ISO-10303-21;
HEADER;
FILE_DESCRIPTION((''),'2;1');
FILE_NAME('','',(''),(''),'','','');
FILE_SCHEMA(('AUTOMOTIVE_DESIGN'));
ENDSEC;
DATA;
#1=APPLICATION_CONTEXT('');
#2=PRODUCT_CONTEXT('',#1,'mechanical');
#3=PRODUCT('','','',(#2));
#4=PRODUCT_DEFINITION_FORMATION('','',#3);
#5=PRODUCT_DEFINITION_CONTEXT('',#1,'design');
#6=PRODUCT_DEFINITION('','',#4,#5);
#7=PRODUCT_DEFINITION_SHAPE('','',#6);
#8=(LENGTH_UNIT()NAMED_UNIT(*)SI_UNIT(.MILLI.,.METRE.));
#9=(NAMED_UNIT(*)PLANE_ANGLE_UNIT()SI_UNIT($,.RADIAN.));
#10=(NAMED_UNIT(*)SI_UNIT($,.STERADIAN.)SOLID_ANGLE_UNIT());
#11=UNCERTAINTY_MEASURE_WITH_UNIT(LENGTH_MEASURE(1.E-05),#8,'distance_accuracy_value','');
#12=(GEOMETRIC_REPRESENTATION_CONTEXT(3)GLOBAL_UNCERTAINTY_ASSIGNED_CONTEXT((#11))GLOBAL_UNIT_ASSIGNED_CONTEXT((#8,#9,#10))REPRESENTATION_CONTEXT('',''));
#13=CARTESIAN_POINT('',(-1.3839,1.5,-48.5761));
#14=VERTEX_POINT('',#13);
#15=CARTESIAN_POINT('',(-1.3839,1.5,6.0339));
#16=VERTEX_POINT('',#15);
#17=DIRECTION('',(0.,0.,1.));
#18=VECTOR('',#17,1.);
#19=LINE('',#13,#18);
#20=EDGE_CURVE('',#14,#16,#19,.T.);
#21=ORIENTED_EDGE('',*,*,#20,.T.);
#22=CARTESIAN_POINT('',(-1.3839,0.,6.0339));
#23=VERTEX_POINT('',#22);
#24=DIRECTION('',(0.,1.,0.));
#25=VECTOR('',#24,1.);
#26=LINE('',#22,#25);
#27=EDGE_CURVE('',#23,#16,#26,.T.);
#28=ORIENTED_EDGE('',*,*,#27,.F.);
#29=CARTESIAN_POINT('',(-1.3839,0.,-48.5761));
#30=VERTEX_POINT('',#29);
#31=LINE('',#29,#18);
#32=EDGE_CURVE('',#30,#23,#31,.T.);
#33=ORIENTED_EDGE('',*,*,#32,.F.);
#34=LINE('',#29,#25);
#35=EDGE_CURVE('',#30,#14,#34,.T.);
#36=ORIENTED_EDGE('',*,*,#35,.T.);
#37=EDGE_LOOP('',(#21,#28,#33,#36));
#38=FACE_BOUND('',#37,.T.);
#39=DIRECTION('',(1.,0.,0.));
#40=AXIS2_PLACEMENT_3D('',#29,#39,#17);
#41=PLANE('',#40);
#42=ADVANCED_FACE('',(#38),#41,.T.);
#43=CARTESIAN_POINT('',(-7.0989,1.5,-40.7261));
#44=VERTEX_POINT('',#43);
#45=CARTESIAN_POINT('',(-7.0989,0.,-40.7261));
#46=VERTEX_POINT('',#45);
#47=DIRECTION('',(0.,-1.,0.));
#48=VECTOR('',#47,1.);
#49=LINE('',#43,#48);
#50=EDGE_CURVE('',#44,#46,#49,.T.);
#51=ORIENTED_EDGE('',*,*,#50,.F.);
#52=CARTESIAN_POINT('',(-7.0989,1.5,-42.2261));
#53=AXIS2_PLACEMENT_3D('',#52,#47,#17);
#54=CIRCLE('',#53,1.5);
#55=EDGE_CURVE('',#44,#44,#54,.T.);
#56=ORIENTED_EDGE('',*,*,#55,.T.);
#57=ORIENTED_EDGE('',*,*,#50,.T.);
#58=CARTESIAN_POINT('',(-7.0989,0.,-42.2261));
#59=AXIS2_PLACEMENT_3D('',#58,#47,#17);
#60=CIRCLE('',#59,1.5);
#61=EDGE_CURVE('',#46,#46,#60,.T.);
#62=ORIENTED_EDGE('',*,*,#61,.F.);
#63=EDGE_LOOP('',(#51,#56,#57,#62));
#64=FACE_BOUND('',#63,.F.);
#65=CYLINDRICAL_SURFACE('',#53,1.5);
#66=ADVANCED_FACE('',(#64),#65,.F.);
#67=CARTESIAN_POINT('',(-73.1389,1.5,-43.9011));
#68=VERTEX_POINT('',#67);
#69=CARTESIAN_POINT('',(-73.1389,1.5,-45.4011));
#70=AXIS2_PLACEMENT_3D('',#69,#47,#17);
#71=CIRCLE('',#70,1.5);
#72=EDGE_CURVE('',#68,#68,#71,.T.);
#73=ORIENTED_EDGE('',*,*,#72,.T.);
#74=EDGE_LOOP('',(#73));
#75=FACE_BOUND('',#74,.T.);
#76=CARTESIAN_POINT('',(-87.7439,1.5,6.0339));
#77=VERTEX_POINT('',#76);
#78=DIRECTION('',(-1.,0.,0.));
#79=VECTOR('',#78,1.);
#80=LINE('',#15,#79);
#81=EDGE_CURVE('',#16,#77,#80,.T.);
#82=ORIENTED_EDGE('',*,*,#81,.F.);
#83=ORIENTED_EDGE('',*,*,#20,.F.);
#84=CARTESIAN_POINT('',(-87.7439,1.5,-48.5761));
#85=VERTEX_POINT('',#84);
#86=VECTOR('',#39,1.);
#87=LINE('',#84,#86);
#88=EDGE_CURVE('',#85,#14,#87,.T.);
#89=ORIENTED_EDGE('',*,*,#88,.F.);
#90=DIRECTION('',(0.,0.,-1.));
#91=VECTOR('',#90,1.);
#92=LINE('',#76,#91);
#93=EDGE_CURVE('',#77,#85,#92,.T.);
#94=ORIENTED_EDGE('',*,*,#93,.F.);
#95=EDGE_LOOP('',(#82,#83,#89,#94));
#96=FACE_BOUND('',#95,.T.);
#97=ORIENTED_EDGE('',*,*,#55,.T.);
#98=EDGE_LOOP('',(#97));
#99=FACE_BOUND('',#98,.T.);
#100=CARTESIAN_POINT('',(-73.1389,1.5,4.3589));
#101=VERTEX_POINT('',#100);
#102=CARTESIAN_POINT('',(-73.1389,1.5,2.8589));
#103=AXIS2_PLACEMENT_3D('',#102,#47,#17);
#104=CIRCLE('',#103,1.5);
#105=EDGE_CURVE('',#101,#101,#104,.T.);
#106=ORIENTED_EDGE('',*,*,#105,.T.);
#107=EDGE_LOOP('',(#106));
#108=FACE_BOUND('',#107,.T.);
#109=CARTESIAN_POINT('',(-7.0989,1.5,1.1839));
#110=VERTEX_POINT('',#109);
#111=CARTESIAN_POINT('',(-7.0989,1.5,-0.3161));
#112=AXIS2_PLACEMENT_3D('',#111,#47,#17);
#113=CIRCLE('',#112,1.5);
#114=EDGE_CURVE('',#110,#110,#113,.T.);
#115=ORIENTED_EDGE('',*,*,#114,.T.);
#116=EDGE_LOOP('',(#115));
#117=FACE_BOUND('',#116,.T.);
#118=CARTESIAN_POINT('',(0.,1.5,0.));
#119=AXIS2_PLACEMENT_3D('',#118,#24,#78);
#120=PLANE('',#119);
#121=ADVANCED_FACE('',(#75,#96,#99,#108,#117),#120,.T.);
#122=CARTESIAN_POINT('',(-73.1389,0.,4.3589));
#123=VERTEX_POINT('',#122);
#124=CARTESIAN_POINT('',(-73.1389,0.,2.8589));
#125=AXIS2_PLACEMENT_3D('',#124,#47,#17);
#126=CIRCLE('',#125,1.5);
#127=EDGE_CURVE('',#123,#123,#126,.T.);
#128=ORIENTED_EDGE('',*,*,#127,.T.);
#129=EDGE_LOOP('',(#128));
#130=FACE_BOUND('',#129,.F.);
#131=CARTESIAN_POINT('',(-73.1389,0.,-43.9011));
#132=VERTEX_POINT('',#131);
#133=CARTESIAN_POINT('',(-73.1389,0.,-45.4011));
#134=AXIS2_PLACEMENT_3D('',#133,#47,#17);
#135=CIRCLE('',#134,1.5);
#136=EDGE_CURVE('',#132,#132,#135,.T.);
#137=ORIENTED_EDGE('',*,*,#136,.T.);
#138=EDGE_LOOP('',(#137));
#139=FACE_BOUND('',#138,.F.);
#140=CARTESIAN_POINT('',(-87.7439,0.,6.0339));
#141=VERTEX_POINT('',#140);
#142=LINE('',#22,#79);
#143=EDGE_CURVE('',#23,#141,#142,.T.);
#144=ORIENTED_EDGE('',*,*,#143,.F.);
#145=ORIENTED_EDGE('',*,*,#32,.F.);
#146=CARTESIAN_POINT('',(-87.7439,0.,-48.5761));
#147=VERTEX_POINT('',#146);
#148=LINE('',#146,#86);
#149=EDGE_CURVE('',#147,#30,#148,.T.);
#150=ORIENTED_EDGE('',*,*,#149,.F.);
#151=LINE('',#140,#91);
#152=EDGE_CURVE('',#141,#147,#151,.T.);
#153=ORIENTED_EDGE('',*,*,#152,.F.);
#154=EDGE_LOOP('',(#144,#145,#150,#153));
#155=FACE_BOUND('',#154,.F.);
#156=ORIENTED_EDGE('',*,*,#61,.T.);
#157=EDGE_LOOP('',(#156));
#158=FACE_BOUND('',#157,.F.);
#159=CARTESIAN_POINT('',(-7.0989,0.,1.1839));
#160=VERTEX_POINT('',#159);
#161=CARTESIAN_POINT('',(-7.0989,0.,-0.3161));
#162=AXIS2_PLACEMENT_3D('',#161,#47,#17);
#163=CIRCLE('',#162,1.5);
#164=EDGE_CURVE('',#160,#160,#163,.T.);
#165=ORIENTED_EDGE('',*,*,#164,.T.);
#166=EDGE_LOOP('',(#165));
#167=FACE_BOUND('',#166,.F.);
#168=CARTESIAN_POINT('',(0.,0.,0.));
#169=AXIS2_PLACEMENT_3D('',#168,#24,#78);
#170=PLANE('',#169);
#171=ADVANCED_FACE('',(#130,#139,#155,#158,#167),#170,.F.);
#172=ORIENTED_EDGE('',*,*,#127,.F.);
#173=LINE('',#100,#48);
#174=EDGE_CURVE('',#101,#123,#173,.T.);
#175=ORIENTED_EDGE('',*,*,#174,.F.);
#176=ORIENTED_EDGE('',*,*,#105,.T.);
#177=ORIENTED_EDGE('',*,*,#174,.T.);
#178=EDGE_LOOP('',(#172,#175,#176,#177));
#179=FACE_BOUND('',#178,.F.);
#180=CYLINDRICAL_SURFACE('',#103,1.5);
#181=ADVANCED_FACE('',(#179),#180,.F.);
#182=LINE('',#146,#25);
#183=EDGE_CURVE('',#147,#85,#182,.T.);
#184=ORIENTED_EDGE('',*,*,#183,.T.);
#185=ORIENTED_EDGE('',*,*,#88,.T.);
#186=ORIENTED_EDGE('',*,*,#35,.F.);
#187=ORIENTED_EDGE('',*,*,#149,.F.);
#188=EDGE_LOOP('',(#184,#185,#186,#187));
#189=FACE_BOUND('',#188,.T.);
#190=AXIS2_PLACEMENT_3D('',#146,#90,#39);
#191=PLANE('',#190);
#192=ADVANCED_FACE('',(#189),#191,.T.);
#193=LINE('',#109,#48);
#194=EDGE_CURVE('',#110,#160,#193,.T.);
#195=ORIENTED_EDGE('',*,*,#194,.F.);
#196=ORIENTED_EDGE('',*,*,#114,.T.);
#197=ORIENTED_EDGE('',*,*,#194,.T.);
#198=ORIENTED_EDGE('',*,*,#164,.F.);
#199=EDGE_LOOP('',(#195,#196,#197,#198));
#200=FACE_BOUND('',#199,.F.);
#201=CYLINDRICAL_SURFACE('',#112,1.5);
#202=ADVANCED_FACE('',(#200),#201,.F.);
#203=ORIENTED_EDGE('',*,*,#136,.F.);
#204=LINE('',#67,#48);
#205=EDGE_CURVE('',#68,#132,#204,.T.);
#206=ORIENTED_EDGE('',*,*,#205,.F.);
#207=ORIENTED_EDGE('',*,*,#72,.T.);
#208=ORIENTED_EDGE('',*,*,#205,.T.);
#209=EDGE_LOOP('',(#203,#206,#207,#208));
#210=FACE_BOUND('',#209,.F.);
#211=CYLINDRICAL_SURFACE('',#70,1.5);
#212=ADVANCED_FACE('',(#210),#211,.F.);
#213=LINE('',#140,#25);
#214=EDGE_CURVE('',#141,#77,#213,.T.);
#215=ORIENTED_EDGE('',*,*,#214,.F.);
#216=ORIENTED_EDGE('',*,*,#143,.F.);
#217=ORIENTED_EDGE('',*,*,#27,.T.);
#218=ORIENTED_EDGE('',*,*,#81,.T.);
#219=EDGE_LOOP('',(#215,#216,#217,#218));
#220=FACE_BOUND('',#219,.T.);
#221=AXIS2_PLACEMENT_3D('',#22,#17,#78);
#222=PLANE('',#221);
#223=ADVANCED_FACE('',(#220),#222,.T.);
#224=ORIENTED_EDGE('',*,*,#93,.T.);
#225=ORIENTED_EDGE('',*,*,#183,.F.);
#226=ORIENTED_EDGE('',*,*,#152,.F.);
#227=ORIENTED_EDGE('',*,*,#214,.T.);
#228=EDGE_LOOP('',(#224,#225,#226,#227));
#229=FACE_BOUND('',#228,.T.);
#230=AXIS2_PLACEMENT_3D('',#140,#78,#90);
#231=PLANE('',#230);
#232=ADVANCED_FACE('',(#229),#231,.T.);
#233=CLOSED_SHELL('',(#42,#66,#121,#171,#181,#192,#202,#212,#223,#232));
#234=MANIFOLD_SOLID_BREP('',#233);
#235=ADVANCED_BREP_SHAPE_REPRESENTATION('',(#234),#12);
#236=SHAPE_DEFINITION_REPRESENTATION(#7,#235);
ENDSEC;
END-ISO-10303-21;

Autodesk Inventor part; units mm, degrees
ref_plane "YZ Plane" through (0, 0, 0) normal (1, 0, 0) x (0, 1, 0)
ref_plane "XZ Plane" through (0, 0, 0) normal (0, 1, 0) x (-1, 0, 0)
ref_plane "XY Plane" through (0, 0, 0) normal (0, 0, 1) x (1, 0, 0)
sketch "スケッチ1" plane through (0, 0, 0) normal (0, 1, 0) x (-1, 0, 0)
  line L0 (1.3839, 6.0339) -> (87.7439, 6.0339)
  line L1 (87.7439, 6.0339) -> (87.7439, -48.5761)
  line L2 (87.7439, -48.5761) -> (1.3839, -48.5761)
  line L3 (1.3839, -48.5761) -> (1.3839, 6.0339)
  point P0 (0, 0)
  point P1 (15.9889, 2.8589)
  point P2 (15.9889, -45.4011)
  point P3 (82.0289, -42.2261)
  point P4 (82.0289, -0.3161)
  dimension "d0" = 86.36
  dimension "d1" = 54.61
  dimension "d4" = 14.605
  dimension "d5" = 3.175
  dimension "d6" = 3.175
  dimension "d7" = 14.605
  dimension "d8" = 6.35
  dimension "d9" = 5.715
  dimension "d10" = 6.35
  dimension "d11" = 5.715
extrude "押し出し1" add sketch "スケッチ1" along normal blind 1.5
sketch "スケッチ2" plane through (0, 1.5, 0) normal (0, 1, 0) x (1, 0, 0)
  line L0 (-1.3839, 48.5761) -> (-87.7439, 48.5761) projected
  line L1 (-87.7439, 48.5761) -> (-87.7439, -6.0339) projected
  line L2 (-87.7439, 48.5761) -> (-1.3839, 48.5761)
  line L3 (-1.3839, 48.5761) -> (-1.3839, -6.0339)
  line L4 (-1.3839, -6.0339) -> (-87.7439, -6.0339)
  line L5 (-87.7439, -6.0339) -> (-87.7439, 48.5761)
  point P0 (0, 0)
  point P1 (0, 0)
  point P2 (-73.1389, 45.4011)
  point P3 (-73.1389, -2.8589)
  point P4 (-7.0989, 0.3161)
  point P5 (-7.0989, 42.2261)
  dimension "d12" = 86.36
  dimension "d13" = 54.61
  dimension "d14" = 14.605
  dimension "d15" = 3.175
  dimension "d16" = 3.175
  dimension "d17" = 14.605
  dimension "d18" = 6.35
  dimension "d19" = 5.715
  dimension "d20" = 6.35
  dimension "d21" = 5.715
  dimension "d22" = 0
  dimension "d23" = 0
hole "穴1" at (-7.0989, 1.5, -42.2261) at (-7.0989, 1.5, -0.3161) at (-73.1389, 1.5, 2.8589) at (-73.1389, 1.5, -45.4011) direction (0, -1, 0) diameter 3 end through all
properties part number "BBB固定板"
